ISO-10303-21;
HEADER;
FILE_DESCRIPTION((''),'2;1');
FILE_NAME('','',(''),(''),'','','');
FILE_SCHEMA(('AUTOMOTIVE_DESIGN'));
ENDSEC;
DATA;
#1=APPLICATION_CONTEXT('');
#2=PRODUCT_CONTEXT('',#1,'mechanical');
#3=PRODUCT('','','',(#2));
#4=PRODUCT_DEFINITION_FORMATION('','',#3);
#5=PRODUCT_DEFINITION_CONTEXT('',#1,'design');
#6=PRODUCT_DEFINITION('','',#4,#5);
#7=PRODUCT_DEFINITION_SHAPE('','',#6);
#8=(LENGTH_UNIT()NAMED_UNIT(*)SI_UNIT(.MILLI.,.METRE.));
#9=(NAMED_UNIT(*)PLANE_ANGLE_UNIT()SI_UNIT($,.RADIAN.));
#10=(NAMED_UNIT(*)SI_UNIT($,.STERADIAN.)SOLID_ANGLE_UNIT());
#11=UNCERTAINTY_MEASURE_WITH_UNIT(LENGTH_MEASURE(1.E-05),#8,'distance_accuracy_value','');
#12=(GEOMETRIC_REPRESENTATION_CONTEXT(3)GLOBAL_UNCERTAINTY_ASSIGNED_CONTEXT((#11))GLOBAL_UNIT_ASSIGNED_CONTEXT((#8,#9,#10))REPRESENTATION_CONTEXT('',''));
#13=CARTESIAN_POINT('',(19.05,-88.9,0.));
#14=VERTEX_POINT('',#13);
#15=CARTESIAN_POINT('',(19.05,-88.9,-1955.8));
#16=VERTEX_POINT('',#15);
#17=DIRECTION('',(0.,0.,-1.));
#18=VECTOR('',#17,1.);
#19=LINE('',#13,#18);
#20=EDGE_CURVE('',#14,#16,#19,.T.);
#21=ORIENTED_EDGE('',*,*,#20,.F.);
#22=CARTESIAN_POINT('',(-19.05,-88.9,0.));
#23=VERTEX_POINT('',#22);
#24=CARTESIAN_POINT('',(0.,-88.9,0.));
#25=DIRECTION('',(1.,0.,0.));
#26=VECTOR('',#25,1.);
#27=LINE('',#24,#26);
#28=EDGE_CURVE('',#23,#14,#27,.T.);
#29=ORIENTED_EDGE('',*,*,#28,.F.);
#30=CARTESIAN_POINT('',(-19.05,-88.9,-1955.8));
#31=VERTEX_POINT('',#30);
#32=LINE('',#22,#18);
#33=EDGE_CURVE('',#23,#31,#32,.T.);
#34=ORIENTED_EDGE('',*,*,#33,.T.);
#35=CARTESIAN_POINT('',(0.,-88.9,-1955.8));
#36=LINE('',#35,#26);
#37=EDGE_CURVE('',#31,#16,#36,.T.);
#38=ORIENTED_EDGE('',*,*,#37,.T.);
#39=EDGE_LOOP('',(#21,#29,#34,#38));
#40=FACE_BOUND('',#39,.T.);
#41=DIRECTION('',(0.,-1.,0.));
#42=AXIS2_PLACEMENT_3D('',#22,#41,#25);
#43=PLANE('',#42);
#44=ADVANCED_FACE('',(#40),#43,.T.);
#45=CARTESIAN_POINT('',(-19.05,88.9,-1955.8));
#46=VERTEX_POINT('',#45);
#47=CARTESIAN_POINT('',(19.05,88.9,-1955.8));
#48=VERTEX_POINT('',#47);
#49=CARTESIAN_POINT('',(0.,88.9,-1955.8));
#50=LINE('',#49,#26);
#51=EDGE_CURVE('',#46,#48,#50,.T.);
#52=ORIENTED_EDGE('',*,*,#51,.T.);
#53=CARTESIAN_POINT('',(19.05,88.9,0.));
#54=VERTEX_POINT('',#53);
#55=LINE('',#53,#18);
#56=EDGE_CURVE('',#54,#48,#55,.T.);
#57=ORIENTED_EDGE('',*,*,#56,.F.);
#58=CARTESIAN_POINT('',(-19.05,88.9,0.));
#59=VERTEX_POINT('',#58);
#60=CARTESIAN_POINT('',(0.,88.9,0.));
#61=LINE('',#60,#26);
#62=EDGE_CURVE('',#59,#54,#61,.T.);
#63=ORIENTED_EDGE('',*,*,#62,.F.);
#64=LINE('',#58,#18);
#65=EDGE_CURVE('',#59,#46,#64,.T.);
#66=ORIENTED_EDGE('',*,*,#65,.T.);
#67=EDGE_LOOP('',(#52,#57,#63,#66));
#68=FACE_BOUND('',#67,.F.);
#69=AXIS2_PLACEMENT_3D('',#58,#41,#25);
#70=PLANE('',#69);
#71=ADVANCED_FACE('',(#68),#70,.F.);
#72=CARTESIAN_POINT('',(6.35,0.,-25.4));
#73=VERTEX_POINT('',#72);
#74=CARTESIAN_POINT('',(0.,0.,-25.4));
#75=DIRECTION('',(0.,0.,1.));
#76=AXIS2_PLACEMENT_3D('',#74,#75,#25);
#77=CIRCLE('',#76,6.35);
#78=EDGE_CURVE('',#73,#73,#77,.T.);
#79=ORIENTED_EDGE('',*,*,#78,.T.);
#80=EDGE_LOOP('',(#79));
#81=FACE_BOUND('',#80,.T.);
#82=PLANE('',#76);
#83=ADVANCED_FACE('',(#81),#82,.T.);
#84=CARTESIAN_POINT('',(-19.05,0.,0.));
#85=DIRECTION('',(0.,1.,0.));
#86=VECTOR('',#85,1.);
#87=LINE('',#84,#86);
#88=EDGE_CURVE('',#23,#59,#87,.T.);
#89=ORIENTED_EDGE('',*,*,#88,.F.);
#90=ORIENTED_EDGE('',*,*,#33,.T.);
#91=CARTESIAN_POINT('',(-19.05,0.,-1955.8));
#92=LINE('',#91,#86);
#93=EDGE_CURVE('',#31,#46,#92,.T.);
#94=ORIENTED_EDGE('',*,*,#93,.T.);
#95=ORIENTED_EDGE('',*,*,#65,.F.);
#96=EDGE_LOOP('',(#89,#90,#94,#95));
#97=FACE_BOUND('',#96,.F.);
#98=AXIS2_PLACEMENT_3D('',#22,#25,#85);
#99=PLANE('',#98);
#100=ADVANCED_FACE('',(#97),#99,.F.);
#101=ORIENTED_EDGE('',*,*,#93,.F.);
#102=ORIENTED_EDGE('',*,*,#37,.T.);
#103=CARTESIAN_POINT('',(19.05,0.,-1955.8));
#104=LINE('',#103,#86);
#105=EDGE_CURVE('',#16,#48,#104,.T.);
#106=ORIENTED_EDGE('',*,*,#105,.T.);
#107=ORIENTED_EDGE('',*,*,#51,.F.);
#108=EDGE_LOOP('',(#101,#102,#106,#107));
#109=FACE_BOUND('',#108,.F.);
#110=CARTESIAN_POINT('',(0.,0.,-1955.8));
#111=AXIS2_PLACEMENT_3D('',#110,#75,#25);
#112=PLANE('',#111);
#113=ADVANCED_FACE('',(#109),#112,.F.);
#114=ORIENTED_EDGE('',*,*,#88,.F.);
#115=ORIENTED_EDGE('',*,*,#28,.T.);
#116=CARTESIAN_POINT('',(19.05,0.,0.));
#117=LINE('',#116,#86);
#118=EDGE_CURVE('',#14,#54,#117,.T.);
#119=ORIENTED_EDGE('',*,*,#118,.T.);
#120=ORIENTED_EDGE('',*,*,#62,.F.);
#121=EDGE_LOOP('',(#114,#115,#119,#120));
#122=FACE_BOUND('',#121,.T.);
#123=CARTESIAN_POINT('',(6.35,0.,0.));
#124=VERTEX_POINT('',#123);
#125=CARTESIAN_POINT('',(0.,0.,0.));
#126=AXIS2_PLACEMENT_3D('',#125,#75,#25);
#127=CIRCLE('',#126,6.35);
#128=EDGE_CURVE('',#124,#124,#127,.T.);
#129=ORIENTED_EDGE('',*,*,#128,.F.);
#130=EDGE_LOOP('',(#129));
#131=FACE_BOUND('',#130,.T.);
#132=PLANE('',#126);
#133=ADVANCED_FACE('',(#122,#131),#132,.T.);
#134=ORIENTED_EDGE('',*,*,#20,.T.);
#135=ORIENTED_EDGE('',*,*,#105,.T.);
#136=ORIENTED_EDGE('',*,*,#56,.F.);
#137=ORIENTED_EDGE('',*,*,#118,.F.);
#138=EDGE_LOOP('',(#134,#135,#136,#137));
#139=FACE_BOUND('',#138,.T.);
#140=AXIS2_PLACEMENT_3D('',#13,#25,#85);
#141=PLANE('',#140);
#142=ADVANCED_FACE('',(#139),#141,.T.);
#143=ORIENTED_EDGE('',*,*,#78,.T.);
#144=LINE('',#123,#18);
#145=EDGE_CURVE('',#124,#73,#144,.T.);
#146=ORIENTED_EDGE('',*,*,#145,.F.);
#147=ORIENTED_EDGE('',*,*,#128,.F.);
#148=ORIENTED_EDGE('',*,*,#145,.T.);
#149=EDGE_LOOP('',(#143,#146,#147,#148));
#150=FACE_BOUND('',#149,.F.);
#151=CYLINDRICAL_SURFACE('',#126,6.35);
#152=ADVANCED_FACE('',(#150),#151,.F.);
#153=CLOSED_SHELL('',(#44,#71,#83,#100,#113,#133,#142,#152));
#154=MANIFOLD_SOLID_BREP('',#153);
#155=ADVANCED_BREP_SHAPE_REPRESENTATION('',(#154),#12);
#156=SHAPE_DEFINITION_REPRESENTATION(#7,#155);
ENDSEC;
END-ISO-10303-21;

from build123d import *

# Parameters (mm, degrees)
F0_W     = 38.1
F0_H     = 177.8
F2_DEPTH = 1955.8
F1_R     = 6.35
F3_DEPTH = 25.4


with BuildPart() as f2:
    # F0 (on Top) → F2 (new body)
    with BuildSketch(Plane.XY):
        Rectangle(F0_W, F0_H)
    extrude(amount=-F2_DEPTH)

    # F1 (on Top) → F3 (cut)
    with BuildSketch(Plane.XY):
        Circle(F1_R)
    extrude(amount=-F3_DEPTH, mode=Mode.SUBTRACT)


solid = f2.part
